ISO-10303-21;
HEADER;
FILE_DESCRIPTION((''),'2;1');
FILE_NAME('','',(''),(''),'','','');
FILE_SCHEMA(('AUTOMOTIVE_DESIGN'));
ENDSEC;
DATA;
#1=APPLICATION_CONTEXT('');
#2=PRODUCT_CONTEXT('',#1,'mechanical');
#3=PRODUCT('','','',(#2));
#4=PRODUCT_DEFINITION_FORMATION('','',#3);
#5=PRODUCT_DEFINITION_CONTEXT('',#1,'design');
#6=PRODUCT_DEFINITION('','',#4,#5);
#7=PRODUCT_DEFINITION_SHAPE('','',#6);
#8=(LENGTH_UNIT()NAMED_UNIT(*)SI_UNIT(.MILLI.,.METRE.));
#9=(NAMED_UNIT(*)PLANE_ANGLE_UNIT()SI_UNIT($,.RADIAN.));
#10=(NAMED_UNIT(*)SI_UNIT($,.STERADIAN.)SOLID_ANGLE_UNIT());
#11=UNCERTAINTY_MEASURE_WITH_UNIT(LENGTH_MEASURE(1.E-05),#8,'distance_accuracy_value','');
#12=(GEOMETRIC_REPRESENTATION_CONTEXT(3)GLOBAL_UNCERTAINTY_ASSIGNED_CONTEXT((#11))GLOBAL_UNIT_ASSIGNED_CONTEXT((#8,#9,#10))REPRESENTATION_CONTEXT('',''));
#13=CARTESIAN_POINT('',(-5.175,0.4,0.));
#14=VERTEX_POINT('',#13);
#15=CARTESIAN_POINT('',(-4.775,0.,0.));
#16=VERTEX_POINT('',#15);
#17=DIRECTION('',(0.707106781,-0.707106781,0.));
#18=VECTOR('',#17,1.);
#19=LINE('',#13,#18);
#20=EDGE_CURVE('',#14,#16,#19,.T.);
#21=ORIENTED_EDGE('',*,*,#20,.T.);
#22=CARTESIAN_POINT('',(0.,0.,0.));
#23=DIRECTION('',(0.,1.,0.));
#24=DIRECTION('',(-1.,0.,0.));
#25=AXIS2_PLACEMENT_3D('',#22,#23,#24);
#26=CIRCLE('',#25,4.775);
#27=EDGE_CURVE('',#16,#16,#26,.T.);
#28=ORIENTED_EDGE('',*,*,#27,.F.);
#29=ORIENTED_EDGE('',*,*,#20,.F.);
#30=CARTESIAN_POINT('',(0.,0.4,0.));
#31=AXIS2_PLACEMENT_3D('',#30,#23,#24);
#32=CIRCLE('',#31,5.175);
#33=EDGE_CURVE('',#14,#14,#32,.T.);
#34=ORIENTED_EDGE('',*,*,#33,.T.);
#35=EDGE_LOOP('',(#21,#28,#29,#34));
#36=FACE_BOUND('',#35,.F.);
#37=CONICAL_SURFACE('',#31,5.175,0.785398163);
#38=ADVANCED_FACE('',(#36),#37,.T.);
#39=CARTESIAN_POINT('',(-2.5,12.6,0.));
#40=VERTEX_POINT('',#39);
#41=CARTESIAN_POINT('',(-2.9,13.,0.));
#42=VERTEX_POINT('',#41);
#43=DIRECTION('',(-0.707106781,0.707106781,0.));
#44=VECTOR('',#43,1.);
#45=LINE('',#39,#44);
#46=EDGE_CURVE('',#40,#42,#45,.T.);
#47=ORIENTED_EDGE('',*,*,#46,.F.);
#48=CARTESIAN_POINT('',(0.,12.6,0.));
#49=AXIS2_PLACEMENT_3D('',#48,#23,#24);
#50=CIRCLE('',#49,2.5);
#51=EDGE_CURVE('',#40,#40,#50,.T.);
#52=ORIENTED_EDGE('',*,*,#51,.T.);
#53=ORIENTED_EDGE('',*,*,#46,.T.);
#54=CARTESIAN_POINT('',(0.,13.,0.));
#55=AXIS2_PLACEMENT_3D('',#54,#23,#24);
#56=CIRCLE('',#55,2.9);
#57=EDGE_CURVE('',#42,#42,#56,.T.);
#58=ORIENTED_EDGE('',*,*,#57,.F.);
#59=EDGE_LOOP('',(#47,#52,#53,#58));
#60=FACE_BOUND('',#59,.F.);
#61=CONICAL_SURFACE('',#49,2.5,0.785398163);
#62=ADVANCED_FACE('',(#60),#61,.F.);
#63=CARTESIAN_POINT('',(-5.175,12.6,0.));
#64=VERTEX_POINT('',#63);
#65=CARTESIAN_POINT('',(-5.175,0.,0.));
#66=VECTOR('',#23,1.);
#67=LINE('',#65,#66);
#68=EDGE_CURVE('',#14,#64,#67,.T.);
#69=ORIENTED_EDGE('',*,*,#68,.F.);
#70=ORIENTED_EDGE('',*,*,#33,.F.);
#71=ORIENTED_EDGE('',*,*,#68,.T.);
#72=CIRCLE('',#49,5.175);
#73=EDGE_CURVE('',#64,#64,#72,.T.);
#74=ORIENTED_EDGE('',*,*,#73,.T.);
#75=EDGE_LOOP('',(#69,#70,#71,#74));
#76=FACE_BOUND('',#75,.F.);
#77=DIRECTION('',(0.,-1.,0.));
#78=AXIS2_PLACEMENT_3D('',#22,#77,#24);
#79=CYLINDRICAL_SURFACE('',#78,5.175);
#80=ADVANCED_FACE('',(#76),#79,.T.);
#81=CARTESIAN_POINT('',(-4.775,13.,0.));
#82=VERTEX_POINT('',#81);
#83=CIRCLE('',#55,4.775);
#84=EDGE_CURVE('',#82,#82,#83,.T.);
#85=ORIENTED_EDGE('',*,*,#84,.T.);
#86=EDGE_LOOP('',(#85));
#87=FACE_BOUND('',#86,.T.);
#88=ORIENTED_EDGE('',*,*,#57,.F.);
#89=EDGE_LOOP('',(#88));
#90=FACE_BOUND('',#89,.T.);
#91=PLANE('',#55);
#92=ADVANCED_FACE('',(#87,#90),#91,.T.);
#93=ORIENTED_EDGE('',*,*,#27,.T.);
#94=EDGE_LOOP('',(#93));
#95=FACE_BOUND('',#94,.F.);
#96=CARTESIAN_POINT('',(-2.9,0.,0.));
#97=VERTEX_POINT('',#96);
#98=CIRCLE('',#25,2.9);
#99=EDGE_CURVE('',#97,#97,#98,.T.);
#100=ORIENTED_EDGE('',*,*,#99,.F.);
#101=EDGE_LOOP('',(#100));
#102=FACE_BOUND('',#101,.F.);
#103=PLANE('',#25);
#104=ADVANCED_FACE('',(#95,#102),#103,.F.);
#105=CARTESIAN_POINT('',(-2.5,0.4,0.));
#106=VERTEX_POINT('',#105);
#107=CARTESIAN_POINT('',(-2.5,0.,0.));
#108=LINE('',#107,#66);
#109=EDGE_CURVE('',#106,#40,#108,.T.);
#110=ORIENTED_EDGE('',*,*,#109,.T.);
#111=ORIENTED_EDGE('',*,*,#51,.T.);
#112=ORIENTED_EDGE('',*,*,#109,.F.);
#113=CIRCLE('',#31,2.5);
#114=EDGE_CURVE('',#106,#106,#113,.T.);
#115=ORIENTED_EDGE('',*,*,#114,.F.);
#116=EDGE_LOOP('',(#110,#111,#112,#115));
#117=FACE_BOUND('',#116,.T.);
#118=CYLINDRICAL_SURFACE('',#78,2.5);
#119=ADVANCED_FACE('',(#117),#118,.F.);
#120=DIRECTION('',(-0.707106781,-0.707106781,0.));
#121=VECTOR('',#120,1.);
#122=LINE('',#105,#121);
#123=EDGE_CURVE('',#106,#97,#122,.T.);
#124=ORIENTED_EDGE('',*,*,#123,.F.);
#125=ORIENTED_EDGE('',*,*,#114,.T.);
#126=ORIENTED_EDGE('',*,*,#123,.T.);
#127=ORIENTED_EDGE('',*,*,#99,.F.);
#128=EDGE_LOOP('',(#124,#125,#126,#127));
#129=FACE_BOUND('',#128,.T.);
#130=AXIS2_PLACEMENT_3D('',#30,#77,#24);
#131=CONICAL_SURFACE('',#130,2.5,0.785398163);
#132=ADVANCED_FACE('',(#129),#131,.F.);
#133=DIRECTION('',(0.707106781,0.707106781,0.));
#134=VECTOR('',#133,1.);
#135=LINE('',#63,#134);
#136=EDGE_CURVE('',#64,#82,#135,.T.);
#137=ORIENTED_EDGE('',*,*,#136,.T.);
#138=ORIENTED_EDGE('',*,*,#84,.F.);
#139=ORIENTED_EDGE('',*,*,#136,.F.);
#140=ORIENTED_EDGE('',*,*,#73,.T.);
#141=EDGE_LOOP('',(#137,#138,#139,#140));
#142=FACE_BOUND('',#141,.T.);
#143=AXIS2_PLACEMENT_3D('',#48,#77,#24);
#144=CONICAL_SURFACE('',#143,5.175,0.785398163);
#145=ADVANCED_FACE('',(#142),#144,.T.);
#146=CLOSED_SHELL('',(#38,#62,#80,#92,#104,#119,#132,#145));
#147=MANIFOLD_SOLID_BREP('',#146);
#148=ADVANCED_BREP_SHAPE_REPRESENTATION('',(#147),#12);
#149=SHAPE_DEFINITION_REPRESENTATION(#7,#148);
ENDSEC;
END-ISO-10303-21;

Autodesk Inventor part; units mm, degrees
ref_plane "YZ Plane" through (0, 0, 0) normal (1, 0, 0) x (0, 1, 0)
ref_plane "XZ Plane" through (0, 0, 0) normal (0, 1, 0) x (-1, 0, 0)
ref_plane "XY Plane" through (0, 0, 0) normal (0, 0, 1) x (1, 0, 0)
sketch "Sketch1" plane through (0, 0, 0) normal (0, 1, 0) x (-1, 0, 0)
  circle A0 centre (0, 0) radius 2.5
  circle A1 centre (0, 0) radius 5.175
  dimension "d0" = 5
  dimension "d1" = 10.35
extrude "Extrusion1" add sketch "Sketch1" along normal blind 13
chamfer "Chamfer1" distance 0.4 angle 45 4 edges at (2.5, 13, 0) (5.175, 13, 0) (5.175, 0, 0) (2.5, 0, 0)
properties part number "1lb CF Spring Hub V1_3DPrint"
